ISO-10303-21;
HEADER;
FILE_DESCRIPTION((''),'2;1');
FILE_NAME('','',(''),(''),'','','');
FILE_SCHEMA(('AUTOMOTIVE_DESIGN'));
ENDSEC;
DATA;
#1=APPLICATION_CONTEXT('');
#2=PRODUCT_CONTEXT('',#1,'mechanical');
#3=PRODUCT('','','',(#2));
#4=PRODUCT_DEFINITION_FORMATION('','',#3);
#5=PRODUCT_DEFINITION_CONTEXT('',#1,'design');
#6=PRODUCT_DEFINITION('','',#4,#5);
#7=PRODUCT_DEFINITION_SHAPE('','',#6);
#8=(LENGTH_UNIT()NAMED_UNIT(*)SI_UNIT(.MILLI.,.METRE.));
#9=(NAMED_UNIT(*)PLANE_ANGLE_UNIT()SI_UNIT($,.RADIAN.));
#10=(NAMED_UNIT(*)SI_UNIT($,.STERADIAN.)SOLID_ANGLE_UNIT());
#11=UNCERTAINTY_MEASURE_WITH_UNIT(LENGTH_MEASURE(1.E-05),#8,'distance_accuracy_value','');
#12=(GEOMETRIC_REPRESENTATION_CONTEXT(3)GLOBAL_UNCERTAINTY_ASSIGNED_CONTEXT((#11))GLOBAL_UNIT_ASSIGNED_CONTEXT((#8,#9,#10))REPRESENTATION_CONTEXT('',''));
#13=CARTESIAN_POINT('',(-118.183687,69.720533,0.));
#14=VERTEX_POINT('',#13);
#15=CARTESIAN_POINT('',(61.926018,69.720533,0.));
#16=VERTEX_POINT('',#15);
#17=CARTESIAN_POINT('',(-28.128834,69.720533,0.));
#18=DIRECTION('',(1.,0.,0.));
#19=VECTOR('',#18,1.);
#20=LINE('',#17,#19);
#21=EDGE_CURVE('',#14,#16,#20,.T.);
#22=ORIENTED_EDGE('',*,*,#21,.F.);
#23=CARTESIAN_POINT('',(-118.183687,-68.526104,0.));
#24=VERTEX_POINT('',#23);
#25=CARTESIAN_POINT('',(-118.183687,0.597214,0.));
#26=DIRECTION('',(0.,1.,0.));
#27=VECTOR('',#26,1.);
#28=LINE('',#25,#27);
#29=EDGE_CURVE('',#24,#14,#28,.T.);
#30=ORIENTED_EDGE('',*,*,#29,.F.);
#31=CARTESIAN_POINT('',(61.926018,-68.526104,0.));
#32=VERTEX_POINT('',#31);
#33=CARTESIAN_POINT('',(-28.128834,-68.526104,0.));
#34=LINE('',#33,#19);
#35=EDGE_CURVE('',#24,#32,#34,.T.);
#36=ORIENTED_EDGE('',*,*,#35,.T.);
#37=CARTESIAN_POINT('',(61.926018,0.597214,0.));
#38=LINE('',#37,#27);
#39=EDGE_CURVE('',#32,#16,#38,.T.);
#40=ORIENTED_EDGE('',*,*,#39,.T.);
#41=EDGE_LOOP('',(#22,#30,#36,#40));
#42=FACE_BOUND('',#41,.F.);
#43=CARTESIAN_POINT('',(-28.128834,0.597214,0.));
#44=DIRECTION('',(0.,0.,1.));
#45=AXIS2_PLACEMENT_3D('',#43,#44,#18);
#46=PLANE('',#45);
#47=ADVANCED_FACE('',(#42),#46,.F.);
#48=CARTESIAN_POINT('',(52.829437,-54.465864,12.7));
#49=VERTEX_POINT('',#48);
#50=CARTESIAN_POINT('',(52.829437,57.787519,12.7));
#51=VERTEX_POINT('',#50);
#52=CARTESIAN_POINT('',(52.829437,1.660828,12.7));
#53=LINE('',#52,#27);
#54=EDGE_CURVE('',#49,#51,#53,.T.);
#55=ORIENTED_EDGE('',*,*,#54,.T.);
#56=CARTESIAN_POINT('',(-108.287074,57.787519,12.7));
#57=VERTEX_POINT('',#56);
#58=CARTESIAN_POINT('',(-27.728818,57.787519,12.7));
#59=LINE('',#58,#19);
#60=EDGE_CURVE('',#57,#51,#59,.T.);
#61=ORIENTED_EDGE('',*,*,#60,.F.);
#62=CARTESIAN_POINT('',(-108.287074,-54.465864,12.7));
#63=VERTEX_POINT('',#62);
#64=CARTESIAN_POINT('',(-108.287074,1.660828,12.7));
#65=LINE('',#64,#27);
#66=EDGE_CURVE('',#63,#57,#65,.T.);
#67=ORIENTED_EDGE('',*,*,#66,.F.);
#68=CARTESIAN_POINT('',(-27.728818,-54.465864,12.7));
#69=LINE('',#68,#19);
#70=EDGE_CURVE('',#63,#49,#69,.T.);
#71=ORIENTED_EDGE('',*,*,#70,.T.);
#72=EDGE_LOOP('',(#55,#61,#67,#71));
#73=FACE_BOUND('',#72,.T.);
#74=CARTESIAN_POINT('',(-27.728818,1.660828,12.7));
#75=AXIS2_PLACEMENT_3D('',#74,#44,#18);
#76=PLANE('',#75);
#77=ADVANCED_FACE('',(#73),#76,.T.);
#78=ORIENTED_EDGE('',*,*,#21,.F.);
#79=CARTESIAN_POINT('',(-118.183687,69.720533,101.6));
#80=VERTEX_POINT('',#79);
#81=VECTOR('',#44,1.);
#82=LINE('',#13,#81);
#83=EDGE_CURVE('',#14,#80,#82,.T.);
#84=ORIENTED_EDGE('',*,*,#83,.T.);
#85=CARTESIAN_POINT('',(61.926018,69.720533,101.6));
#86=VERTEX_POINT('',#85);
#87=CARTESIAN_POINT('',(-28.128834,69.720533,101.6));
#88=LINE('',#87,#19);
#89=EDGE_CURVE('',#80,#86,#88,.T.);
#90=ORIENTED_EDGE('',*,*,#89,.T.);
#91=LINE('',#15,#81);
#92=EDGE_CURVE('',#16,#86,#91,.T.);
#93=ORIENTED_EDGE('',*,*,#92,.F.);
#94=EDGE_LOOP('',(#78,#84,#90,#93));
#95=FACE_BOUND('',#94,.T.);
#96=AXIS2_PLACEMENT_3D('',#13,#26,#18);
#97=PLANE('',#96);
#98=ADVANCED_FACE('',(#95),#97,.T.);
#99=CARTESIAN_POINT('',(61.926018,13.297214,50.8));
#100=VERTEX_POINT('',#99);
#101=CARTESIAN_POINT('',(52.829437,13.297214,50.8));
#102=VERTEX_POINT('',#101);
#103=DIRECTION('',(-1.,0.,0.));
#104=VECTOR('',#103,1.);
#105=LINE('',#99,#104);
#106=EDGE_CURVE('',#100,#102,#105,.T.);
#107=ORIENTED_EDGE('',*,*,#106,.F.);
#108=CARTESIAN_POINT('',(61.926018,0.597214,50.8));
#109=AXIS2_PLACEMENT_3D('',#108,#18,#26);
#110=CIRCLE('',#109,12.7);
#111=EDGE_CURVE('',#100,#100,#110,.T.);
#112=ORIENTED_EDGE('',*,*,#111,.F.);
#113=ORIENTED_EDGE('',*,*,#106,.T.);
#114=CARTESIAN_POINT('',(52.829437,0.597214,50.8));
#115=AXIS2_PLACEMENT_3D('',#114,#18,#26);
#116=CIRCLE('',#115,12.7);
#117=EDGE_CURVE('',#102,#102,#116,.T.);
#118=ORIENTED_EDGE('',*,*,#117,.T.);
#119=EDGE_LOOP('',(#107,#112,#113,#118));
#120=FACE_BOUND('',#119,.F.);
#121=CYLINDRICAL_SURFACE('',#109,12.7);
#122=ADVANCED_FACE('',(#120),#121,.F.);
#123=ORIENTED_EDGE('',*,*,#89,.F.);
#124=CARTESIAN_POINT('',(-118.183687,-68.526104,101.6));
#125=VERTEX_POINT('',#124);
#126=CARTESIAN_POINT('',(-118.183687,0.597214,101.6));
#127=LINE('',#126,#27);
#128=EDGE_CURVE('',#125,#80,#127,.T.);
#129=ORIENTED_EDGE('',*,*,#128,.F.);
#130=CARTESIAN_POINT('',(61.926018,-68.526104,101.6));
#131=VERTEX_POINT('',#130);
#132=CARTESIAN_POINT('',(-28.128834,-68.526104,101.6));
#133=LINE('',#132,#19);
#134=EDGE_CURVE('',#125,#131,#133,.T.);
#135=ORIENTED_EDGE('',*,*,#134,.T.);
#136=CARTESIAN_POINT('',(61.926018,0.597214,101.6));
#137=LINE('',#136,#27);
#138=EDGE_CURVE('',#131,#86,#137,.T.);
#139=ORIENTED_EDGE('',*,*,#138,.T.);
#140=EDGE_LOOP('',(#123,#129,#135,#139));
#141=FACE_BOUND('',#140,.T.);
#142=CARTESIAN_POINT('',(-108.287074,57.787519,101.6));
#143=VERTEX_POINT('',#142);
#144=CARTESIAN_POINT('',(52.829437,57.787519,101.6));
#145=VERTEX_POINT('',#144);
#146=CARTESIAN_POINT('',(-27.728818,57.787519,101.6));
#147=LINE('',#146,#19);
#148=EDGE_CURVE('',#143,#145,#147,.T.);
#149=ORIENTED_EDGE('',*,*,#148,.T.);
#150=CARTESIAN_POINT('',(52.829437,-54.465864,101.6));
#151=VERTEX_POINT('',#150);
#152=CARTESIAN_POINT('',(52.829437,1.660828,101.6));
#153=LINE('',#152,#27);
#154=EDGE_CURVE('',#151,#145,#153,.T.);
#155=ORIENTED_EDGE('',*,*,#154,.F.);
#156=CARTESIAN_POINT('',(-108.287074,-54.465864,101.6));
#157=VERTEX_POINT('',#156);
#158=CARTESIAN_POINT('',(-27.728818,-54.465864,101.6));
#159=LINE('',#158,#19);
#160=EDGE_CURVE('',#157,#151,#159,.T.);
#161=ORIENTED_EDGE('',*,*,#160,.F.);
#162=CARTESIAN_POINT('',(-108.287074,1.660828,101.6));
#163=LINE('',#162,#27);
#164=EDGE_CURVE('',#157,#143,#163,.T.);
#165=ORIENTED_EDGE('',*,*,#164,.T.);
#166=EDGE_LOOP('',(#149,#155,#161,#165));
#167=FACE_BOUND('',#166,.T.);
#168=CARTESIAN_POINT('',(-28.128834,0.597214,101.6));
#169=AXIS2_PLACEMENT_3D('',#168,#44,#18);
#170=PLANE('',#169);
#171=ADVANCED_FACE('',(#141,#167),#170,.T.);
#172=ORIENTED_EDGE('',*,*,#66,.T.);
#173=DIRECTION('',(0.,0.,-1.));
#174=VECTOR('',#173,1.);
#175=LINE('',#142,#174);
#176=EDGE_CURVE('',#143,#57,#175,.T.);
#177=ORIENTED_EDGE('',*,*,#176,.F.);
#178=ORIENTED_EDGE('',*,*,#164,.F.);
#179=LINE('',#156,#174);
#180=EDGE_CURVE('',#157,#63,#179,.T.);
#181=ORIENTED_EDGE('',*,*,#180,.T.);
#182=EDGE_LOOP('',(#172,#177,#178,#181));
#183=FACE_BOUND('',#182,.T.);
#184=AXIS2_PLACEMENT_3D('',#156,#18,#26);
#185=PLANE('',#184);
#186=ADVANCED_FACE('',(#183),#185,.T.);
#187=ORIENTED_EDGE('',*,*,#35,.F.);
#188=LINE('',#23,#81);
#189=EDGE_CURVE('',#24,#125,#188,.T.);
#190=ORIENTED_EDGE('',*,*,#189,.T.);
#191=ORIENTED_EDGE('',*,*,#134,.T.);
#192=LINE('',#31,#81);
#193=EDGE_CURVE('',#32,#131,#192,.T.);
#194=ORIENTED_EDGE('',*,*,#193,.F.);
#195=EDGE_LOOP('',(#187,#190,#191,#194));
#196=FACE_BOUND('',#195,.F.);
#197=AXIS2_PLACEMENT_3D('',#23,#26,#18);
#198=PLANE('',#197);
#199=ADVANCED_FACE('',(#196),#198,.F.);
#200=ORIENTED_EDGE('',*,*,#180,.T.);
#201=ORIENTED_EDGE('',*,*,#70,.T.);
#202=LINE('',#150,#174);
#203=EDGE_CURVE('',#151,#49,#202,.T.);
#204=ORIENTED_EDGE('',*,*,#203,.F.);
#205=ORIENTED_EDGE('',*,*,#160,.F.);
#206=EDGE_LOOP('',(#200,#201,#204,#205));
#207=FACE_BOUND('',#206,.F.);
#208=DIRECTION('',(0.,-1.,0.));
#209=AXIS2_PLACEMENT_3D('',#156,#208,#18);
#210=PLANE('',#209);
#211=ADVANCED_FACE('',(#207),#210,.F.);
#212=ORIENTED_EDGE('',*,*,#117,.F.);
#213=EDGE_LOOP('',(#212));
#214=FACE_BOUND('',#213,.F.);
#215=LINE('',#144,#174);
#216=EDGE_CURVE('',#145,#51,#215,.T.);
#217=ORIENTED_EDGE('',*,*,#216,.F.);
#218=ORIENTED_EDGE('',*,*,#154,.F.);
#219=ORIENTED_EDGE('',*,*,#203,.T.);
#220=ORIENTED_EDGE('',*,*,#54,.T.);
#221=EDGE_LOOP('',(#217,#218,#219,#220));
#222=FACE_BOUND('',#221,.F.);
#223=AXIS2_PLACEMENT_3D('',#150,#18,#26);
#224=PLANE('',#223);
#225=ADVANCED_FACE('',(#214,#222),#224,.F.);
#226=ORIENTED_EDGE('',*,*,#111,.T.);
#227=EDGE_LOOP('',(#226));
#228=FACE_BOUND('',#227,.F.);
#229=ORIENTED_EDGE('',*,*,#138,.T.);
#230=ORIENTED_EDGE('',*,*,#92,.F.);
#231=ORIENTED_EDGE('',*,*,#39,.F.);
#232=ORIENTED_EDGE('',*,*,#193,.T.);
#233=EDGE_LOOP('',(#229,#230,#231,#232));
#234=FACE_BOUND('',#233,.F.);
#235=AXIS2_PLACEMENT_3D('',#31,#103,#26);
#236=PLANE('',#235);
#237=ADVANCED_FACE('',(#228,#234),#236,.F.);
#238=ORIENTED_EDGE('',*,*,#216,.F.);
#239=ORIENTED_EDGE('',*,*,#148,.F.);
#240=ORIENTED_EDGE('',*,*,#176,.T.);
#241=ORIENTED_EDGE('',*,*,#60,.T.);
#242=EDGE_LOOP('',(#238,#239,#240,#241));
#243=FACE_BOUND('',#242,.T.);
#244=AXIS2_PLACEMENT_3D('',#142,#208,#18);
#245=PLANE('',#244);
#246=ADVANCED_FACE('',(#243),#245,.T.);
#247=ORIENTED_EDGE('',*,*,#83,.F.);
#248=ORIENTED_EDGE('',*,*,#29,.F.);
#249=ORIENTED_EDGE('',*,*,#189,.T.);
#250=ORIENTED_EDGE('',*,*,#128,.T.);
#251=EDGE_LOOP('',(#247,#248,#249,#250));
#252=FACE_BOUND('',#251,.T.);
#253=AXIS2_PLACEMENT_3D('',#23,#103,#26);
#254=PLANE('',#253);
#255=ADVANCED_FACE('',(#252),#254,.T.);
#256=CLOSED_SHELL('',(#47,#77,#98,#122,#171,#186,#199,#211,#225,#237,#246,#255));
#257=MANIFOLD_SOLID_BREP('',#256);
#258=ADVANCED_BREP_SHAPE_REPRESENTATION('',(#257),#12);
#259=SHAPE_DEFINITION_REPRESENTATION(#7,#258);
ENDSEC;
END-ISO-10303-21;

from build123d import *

# Parameters (mm, degrees)
F0_W     = 180.109705776
F0_H     = 138.2466368377
F1_DEPTH = 101.6
F2_W     = 161.1165106297
F2_H     = 112.253382802
F3_DEPTH = 88.9
F4_R     = 12.7
F5_DEPTH = 9.0965814888


with BuildPart() as f1:
    # F0 (on Top) → F1 (new body)
    with BuildSketch(Plane.XY):
        with Locations((-28.1288344413, 0.5972143263)):
            Rectangle(F0_W, F0_H)
    extrude(amount=F1_DEPTH)

    # F2 (on face) → F3 (cut)
    with BuildSketch(Plane.XY.offset(101.6)):
        with Locations((-27.728818357, 1.6608275473)):
            Rectangle(F2_W, F2_H)
    extrude(amount=-F3_DEPTH, mode=Mode.SUBTRACT)

    # F4 (on face) → F5 (cut, through all)
    with BuildSketch(Plane.YZ.offset(61.9260184467)):
        with Locations((0.5972143263, 50.8)):
            Circle(F4_R)
    extrude(amount=-F5_DEPTH, mode=Mode.SUBTRACT)


solid = f1.part
